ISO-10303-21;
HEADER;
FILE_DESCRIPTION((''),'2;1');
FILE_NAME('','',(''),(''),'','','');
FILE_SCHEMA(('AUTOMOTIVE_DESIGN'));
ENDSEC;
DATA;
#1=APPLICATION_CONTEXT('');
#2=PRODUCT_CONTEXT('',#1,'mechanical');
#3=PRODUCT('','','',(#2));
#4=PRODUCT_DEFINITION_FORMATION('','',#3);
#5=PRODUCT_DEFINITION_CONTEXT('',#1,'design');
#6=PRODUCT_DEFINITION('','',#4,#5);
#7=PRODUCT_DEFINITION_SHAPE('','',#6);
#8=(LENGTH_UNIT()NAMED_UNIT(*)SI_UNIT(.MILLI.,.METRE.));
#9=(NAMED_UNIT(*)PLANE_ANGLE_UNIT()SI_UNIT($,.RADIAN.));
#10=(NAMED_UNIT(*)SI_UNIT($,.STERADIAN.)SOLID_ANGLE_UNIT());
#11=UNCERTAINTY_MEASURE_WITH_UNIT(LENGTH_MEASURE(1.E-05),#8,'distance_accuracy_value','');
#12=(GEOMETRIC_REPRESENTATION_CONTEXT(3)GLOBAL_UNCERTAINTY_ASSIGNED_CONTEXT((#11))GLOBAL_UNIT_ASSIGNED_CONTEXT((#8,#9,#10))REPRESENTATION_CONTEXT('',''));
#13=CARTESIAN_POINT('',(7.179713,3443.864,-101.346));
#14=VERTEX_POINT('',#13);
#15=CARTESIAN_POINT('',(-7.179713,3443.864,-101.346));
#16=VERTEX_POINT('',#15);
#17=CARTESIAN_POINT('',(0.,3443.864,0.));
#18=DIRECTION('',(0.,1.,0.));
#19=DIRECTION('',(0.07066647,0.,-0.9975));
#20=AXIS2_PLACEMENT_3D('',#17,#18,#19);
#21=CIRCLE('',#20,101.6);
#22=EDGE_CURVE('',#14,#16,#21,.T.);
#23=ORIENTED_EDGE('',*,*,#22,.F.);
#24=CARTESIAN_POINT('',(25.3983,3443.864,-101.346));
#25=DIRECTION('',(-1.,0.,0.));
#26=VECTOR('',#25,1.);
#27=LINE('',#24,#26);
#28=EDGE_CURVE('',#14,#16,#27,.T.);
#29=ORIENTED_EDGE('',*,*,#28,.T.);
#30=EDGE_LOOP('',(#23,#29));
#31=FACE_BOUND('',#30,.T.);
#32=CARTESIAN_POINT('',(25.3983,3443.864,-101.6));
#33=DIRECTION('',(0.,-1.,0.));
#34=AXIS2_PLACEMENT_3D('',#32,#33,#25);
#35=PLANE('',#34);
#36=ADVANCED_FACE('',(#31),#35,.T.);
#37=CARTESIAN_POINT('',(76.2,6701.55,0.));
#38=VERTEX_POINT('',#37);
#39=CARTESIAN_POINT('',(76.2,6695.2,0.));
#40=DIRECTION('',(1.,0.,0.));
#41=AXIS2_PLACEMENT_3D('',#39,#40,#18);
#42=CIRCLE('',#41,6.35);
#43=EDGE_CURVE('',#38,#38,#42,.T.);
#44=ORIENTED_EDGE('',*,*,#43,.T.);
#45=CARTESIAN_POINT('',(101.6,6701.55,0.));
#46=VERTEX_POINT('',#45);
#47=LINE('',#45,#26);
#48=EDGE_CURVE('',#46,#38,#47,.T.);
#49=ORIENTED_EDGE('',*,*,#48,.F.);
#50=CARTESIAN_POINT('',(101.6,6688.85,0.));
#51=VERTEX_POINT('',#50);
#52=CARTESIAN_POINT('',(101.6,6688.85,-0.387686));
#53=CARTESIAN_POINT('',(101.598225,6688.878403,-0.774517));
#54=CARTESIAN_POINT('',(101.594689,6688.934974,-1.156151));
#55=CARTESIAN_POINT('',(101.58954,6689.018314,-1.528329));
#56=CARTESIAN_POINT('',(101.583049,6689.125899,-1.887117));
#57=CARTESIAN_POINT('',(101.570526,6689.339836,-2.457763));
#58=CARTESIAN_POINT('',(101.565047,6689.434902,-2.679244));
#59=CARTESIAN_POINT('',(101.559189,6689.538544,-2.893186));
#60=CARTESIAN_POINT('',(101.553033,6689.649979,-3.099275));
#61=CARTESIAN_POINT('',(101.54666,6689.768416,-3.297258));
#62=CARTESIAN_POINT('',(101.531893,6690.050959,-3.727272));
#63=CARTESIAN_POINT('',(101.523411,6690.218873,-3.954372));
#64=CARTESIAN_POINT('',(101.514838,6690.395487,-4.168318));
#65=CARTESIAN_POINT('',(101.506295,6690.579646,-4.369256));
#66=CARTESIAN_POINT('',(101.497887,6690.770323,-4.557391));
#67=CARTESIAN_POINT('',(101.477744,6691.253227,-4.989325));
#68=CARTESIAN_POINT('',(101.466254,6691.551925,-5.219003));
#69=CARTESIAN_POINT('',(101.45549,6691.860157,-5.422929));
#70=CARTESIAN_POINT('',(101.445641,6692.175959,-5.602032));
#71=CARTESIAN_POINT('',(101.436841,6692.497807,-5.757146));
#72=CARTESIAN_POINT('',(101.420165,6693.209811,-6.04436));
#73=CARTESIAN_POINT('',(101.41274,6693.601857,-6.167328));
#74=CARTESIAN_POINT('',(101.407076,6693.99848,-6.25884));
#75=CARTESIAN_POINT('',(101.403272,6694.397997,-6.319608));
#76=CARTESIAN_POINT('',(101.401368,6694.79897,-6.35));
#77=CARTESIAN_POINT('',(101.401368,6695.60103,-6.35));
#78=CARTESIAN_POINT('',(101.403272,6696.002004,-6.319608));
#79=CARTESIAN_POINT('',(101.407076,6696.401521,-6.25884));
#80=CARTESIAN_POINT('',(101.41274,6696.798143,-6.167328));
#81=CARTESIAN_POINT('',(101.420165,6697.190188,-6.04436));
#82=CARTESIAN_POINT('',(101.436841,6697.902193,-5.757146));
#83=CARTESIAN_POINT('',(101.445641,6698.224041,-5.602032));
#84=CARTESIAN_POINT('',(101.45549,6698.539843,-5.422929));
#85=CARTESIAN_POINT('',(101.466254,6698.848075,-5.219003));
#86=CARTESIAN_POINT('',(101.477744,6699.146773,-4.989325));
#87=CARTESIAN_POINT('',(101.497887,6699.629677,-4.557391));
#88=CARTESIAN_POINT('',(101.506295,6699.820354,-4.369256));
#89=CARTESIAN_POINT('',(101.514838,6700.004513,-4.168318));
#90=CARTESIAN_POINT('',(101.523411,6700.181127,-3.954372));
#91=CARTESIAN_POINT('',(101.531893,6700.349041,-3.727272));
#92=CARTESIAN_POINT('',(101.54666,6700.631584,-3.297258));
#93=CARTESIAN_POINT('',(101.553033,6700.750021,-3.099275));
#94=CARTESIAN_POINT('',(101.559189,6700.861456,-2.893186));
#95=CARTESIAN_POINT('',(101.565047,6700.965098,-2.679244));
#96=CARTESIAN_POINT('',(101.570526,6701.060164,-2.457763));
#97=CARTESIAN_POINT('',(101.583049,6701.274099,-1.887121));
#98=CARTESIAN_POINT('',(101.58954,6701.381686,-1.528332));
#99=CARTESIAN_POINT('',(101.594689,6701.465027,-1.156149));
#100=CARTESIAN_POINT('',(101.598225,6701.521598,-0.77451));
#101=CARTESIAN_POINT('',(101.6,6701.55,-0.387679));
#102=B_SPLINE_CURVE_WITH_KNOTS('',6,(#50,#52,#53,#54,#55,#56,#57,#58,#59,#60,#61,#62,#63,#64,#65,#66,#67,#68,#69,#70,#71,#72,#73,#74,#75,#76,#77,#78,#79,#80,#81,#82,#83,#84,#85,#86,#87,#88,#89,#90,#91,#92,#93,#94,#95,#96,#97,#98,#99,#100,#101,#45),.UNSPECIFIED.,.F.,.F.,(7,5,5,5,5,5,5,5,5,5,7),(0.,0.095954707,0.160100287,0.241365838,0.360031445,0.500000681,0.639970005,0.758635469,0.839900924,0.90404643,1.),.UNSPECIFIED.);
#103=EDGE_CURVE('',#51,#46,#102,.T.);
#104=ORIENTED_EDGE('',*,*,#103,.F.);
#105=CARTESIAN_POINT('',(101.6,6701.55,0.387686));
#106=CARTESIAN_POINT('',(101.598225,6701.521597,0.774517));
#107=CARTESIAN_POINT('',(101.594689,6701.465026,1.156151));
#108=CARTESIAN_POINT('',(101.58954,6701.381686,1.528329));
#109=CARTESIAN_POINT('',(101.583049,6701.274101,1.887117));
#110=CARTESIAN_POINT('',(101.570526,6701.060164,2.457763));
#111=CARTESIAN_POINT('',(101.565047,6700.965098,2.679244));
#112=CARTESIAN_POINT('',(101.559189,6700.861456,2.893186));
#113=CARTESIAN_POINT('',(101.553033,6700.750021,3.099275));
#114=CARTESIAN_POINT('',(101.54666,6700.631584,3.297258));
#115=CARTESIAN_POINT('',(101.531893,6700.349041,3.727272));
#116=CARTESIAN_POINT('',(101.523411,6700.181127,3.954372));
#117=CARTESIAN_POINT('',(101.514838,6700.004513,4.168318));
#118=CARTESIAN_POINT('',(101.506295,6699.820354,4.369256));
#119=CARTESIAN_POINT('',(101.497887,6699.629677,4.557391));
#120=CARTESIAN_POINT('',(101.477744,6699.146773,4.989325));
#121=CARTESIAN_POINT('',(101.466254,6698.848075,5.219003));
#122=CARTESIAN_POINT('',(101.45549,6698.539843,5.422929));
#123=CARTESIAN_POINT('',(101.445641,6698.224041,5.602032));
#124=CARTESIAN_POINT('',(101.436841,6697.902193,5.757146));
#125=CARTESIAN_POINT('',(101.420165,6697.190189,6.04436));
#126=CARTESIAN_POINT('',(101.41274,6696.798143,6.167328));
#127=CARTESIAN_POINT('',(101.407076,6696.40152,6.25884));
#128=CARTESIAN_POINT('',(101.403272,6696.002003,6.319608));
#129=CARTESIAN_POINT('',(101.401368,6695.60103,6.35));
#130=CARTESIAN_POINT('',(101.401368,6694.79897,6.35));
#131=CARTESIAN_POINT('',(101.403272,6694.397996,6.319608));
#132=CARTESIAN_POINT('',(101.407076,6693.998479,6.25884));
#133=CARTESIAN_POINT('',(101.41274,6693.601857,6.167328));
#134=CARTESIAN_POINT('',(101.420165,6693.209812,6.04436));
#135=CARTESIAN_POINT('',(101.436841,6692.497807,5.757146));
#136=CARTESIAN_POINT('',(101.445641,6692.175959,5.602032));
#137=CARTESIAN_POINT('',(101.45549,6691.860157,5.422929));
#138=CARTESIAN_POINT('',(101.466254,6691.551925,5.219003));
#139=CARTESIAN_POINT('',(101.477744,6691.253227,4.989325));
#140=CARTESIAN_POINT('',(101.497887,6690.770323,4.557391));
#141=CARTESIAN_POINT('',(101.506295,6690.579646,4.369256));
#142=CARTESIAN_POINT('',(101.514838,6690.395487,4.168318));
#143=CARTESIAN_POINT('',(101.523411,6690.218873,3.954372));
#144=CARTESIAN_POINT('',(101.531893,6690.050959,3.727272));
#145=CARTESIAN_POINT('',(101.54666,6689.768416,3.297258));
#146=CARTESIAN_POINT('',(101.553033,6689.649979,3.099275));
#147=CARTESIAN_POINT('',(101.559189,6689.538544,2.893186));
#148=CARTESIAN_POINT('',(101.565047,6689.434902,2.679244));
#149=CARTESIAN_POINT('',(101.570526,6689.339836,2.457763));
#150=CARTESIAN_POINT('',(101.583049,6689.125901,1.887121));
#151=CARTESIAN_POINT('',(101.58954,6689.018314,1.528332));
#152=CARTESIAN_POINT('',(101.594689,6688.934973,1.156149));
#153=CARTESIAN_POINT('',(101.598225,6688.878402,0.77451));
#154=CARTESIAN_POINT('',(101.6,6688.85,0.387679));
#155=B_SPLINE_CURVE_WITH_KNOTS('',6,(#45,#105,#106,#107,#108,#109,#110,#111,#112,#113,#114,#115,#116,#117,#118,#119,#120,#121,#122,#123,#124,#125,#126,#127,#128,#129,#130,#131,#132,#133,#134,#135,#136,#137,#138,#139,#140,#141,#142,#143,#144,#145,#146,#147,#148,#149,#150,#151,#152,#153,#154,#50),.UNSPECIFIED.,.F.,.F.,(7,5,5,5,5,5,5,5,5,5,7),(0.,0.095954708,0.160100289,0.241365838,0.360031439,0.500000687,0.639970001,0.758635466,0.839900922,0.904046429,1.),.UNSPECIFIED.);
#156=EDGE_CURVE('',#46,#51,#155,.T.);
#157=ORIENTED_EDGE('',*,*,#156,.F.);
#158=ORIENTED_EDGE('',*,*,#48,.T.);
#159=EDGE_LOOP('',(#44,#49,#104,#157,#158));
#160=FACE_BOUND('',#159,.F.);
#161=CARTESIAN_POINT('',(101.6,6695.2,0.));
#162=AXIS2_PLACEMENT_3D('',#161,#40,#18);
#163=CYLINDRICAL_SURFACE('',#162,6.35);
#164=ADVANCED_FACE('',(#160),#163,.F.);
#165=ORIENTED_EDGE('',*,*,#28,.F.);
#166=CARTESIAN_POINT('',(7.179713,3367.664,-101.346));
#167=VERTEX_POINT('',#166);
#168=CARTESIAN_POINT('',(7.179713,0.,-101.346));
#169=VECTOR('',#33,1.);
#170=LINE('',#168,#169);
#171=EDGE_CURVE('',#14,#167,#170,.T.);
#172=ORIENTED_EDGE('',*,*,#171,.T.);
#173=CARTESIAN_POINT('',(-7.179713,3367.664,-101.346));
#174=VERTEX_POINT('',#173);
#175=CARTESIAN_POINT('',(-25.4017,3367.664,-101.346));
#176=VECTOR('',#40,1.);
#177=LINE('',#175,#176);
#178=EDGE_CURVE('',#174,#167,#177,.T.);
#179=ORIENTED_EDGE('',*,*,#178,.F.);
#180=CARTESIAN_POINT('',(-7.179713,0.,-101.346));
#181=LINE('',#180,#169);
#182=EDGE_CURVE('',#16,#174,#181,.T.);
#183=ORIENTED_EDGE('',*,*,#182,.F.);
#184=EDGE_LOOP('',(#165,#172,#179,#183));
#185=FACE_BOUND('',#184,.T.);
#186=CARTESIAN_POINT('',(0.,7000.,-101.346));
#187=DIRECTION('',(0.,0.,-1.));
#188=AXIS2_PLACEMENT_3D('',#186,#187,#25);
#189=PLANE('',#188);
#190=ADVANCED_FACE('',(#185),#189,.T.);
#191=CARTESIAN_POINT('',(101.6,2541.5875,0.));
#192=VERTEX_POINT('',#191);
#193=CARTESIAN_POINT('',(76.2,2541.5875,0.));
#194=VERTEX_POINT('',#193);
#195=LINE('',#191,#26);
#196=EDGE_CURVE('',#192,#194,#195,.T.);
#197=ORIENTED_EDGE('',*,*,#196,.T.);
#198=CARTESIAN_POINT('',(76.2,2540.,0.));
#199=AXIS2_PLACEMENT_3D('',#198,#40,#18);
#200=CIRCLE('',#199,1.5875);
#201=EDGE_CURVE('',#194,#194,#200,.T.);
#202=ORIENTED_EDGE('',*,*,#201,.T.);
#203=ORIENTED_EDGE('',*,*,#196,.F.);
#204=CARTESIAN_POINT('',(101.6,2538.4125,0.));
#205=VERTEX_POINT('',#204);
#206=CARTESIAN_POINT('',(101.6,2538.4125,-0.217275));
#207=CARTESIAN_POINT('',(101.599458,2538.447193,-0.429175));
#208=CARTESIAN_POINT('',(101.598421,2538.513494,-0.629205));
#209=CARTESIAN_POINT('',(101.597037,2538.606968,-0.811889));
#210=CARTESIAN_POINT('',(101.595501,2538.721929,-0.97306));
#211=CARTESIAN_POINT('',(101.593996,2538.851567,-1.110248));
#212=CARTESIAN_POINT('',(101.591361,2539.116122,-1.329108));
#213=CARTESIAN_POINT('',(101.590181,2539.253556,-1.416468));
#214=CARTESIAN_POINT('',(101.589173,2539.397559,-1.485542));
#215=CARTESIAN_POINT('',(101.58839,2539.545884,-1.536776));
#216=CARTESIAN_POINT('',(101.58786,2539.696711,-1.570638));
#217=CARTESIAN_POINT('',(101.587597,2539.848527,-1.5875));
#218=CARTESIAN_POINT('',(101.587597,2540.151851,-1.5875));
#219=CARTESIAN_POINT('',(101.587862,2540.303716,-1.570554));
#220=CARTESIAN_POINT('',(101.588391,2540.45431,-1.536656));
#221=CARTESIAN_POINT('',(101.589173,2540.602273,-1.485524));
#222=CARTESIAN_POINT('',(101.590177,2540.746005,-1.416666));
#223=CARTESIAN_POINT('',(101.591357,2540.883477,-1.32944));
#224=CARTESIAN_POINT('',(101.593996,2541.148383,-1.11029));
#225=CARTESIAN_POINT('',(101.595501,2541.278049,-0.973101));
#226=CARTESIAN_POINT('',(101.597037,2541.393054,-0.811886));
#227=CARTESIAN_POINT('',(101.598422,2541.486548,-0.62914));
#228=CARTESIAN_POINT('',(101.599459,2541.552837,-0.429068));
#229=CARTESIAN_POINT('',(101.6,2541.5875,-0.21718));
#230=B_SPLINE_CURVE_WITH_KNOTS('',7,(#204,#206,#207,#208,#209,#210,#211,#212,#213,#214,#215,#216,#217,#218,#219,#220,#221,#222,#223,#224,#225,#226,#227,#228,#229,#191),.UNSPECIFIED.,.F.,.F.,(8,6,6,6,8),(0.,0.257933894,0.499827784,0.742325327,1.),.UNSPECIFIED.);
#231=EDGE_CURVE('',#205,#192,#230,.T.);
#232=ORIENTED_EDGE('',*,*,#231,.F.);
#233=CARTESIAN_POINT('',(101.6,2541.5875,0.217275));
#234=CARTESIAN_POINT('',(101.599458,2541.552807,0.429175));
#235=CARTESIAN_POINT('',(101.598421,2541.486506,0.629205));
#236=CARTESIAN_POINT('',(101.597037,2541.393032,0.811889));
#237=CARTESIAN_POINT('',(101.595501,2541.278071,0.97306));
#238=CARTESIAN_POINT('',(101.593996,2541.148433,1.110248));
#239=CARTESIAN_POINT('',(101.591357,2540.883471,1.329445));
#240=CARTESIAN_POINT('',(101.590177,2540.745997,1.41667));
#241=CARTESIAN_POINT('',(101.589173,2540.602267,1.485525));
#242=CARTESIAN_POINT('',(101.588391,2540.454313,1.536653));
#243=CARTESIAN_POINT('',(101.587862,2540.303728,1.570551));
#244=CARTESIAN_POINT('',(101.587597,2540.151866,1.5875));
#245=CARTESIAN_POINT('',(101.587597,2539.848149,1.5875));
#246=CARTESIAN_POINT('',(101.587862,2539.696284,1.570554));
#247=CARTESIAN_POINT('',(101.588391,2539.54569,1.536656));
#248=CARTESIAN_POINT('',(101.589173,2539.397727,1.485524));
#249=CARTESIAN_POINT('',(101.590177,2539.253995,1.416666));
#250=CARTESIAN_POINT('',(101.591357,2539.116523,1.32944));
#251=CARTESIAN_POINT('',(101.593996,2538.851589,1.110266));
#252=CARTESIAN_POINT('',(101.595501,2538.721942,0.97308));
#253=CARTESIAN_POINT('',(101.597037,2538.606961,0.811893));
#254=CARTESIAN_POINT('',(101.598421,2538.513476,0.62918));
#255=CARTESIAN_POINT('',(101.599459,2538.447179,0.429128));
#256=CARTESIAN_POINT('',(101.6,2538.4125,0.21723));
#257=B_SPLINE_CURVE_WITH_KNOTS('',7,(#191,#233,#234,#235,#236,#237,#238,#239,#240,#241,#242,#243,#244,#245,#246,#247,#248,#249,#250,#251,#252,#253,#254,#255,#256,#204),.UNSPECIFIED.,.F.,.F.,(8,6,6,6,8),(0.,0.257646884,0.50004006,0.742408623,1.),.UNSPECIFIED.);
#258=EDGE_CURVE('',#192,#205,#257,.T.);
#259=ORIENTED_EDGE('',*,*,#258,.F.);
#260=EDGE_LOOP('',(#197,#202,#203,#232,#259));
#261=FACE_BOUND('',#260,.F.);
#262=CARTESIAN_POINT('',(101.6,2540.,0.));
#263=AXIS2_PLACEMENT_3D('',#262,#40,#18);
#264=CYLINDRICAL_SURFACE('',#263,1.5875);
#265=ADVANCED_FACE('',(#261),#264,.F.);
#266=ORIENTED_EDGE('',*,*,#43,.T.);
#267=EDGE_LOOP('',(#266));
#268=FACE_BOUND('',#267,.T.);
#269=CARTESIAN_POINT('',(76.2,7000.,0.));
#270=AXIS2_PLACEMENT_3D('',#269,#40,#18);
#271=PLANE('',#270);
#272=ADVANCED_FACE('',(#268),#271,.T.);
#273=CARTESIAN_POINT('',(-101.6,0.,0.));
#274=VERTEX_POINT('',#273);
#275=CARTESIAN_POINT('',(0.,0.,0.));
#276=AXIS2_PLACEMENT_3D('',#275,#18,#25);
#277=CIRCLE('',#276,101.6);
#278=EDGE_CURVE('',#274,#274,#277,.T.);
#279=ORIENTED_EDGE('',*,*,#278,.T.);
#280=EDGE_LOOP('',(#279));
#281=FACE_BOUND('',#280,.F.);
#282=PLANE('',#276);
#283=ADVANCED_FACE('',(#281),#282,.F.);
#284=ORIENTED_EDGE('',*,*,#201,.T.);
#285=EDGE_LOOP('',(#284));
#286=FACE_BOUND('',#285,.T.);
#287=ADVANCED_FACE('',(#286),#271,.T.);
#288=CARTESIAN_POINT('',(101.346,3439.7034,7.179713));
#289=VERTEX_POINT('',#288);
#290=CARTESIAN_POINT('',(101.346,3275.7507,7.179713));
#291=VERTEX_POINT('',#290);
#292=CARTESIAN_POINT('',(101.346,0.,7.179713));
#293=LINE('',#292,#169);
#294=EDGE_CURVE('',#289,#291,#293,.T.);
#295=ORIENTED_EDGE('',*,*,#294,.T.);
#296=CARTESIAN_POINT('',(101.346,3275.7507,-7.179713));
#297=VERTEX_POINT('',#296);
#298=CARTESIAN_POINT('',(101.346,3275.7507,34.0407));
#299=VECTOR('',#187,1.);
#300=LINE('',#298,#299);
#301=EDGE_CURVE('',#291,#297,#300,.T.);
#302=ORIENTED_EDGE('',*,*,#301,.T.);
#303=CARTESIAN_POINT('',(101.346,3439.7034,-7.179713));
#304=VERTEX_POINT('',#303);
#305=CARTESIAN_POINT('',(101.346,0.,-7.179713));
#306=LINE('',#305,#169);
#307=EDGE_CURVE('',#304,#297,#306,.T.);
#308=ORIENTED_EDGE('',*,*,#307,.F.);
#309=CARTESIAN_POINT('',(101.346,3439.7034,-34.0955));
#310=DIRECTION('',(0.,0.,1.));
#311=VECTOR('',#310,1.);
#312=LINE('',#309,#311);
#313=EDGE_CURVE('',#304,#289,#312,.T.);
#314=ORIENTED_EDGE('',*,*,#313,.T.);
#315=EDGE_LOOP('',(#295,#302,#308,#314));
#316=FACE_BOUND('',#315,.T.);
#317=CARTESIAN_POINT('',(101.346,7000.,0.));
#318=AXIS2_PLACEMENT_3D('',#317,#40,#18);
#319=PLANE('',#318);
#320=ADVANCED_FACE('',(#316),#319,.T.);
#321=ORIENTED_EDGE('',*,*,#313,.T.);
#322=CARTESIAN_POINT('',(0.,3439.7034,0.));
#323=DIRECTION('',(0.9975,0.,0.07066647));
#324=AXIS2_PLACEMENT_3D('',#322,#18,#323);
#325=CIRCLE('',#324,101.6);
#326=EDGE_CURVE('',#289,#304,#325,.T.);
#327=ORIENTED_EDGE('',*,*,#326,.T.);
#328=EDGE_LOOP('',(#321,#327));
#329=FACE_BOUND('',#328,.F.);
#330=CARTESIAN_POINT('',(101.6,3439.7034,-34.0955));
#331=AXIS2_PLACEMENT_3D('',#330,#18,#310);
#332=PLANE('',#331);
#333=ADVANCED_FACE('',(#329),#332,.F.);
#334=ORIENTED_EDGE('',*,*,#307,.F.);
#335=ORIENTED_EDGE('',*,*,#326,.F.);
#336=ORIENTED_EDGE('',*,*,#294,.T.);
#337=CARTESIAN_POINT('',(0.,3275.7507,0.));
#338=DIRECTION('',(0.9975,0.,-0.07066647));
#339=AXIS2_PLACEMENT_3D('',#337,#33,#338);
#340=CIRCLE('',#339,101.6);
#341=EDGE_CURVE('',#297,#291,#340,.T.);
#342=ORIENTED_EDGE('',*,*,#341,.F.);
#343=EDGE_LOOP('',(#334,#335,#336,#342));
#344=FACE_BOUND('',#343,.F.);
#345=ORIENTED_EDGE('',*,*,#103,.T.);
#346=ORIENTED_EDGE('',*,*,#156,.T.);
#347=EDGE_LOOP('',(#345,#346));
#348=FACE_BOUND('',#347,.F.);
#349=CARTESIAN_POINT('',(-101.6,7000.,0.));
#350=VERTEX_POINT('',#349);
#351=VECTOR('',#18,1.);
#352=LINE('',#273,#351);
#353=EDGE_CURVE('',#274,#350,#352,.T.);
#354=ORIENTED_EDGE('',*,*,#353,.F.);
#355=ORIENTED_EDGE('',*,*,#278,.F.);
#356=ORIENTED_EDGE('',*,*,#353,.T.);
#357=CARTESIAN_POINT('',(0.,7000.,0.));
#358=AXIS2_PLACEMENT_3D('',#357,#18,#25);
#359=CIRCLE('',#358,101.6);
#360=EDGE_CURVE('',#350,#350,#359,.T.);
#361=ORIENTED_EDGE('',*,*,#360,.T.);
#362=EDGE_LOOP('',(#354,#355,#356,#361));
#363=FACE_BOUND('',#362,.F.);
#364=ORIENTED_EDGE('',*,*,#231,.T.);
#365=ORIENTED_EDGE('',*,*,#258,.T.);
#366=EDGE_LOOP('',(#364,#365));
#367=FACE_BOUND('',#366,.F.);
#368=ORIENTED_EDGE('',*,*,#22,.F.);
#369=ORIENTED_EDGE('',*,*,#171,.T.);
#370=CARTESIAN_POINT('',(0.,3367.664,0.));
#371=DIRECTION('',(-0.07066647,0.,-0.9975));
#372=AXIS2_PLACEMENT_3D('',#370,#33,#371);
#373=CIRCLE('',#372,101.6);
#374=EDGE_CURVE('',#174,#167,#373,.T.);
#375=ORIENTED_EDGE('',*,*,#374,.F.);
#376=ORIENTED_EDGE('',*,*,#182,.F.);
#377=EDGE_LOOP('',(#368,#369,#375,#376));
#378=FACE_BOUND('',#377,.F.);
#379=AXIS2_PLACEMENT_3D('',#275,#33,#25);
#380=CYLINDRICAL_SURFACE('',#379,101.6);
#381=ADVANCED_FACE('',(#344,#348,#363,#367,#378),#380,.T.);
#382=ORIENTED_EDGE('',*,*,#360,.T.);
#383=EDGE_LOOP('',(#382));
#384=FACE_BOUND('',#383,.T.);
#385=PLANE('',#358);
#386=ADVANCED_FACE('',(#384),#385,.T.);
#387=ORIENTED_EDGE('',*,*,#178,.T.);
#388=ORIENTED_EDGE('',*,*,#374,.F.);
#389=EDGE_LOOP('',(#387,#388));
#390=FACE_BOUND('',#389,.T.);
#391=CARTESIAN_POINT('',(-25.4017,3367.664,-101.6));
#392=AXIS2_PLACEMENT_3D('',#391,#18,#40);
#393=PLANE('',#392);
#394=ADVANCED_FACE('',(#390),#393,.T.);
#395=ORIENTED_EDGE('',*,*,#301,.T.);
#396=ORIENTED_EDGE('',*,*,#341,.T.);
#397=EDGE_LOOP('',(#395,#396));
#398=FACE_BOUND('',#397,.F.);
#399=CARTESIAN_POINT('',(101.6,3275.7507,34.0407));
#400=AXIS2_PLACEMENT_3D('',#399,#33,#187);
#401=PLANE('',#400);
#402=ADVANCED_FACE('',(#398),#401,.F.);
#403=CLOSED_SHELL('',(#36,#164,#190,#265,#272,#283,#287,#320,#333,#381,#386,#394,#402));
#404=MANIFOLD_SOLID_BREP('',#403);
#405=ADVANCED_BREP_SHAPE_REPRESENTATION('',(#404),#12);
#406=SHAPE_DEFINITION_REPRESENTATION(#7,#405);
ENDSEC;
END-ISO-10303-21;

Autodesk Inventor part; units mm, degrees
ref_plane "YZ Plane" through (0, 0, 0) normal (1, 0, 0) x (0, 1, 0)
sketch "Sketch1" plane through (0, 0, 0) normal (0, 1, 0) x (-1, 0, 0)
  circle A0 centre (0, 0) radius 101.6
  dimension "d0" = 203.2
extrude "Extrusion1" add sketch "Sketch1" along normal blind 7000
sketch "Sketch2" plane through (0, 0, 0) normal (0, -1, 0) x (1, 0, 0)
  circle A0 centre (0, 0) radius 101.6 projected
extrude "Extrusion2" [suppressed]
sketch "Sketch3" plane through (0, 7000, 0) normal (0, 1, 0) x (1, 0, 0)
  circle A0 centre (0, 0) radius 101.6 projected
  point P0 (101.6, 0)
ref_plane "Work Plane1" through (101.6, 7000, 0) normal (1, 0, 0) x (0, 1, 0)
sketch "Sketch4" plane through (101.6, 7000, 0) normal (1, 0, 0) x (0, 1, 0)
  line L0 (-3724.2493, -34.0955) -> (-3560.2966, -34.0955)
  line L1 (-3560.2966, -34.0955) -> (-3560.2966, 34.0407)
  line L2 (-3560.2966, 34.0407) -> (-3724.2493, 34.0407)
  line L3 (-3724.2493, 34.0407) -> (-3724.2493, -34.0955)
  line L4 (-3724.2493, -0.0274) -> (-3560.2966, -0.0274) construction
  point P0 (-7000, 0)
extrude "poleStandRadialRef" cut sketch "Sketch4" against normal blind 0.254
sketch "Sketch5" plane through (0, 7000, 0) normal (0, 1, 0) x (1, 0, 0)
  circle A0 centre (0, 0) radius 101.6 projected
  point P0 (0, 101.6)
ref_plane "Work Plane2" through (0, 7000, -101.6) normal (0, 0, -1) x (-1, 0, 0)
sketch "Sketch6" plane through (0, 7000, -101.6) normal (0, 0, -1) x (-1, 0, 0)
  line L0 (-25.3983, -3556.136) -> (25.4017, -3556.136)
  line L1 (25.4017, -3556.136) -> (25.4017, -3632.336)
  line L2 (25.4017, -3632.336) -> (-25.3983, -3632.336)
  line L3 (-25.3983, -3632.336) -> (-25.3983, -3556.136)
  line L4 (0.0017, -3556.136) -> (0.0017, -3632.336) construction
  point P0 (0, -7000)
  dimension "d7" = 50.8
  dimension "d8" = 76.2
extrude "poleStandOffsetRef" cut sketch "Sketch6" against normal blind 0.254
sketch "Sketch7" plane through (101.6, 7000, 0) normal (1, 0, 0) x (0, 1, 0)
  circle A0 centre (-304.8, 0) radius 6.35
  line L0 (0, -101.6) -> (0, 101.6) projected
  point P0 (-7000, 0)
  dimension "d11" = 12.7
  dimension "d12" = 304.8
extrude "eyeBoltHole" cut sketch "Sketch7" against normal blind 25.4
sketch "Sketch8" plane through (101.6, 7000, 0) normal (1, 0, 0) x (0, 1, 0)
  circle A0 centre (-4460, 0) radius 1.5875
  point P0 (-7000, 0)
  dimension "d15" = 3.175
  dimension "d16" = 2540
extrude "smallEyeBolt" cut sketch "Sketch8" against normal blind 25.4
properties part number "2p2pol" material "Wood (Maple)"
